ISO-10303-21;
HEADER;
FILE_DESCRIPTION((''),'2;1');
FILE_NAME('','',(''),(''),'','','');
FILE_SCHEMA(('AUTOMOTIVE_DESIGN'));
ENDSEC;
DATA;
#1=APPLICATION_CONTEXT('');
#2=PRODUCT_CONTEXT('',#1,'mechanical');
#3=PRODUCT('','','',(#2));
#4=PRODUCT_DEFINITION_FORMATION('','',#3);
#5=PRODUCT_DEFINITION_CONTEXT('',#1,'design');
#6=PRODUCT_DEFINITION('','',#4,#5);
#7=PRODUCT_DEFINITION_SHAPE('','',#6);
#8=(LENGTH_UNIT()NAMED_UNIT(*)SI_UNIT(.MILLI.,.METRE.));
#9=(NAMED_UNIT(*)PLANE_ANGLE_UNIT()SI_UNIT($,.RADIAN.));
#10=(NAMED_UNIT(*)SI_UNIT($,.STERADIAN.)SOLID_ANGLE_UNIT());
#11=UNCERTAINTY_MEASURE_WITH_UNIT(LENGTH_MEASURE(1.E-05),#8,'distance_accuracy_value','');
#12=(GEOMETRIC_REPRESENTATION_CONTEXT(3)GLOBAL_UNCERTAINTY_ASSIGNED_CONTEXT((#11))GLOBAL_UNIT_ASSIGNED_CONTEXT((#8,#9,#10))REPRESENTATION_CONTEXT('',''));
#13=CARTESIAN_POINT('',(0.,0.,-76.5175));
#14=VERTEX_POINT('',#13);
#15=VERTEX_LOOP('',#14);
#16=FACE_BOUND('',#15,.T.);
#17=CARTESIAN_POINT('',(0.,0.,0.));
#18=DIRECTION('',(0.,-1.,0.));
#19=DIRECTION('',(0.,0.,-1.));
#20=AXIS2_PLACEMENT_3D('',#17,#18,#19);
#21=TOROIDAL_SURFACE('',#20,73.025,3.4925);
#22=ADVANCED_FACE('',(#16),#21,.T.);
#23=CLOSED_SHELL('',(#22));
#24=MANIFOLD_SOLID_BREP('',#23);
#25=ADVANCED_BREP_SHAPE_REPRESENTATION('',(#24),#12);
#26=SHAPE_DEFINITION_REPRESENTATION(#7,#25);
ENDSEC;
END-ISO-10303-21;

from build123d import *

# Parameters (mm, degrees)
SKETCH1_R = 3.4925


with BuildPart() as part:
    # Sketch1 → O-Ring Revolve (revolve)
    with BuildSketch(Plane.XY, mode=Mode.PRIVATE) as o_ring_revolve_sk:
        with Locations((-73.025, 0)):
            Circle(SKETCH1_R)
    revolve(o_ring_revolve_sk.sketch.rotate(Axis((0, -3.4925, 0), (0, 1, 0)), 270), axis=Axis((0, -3.4925, 0), (0, 1, 0)))


solid = part.part
